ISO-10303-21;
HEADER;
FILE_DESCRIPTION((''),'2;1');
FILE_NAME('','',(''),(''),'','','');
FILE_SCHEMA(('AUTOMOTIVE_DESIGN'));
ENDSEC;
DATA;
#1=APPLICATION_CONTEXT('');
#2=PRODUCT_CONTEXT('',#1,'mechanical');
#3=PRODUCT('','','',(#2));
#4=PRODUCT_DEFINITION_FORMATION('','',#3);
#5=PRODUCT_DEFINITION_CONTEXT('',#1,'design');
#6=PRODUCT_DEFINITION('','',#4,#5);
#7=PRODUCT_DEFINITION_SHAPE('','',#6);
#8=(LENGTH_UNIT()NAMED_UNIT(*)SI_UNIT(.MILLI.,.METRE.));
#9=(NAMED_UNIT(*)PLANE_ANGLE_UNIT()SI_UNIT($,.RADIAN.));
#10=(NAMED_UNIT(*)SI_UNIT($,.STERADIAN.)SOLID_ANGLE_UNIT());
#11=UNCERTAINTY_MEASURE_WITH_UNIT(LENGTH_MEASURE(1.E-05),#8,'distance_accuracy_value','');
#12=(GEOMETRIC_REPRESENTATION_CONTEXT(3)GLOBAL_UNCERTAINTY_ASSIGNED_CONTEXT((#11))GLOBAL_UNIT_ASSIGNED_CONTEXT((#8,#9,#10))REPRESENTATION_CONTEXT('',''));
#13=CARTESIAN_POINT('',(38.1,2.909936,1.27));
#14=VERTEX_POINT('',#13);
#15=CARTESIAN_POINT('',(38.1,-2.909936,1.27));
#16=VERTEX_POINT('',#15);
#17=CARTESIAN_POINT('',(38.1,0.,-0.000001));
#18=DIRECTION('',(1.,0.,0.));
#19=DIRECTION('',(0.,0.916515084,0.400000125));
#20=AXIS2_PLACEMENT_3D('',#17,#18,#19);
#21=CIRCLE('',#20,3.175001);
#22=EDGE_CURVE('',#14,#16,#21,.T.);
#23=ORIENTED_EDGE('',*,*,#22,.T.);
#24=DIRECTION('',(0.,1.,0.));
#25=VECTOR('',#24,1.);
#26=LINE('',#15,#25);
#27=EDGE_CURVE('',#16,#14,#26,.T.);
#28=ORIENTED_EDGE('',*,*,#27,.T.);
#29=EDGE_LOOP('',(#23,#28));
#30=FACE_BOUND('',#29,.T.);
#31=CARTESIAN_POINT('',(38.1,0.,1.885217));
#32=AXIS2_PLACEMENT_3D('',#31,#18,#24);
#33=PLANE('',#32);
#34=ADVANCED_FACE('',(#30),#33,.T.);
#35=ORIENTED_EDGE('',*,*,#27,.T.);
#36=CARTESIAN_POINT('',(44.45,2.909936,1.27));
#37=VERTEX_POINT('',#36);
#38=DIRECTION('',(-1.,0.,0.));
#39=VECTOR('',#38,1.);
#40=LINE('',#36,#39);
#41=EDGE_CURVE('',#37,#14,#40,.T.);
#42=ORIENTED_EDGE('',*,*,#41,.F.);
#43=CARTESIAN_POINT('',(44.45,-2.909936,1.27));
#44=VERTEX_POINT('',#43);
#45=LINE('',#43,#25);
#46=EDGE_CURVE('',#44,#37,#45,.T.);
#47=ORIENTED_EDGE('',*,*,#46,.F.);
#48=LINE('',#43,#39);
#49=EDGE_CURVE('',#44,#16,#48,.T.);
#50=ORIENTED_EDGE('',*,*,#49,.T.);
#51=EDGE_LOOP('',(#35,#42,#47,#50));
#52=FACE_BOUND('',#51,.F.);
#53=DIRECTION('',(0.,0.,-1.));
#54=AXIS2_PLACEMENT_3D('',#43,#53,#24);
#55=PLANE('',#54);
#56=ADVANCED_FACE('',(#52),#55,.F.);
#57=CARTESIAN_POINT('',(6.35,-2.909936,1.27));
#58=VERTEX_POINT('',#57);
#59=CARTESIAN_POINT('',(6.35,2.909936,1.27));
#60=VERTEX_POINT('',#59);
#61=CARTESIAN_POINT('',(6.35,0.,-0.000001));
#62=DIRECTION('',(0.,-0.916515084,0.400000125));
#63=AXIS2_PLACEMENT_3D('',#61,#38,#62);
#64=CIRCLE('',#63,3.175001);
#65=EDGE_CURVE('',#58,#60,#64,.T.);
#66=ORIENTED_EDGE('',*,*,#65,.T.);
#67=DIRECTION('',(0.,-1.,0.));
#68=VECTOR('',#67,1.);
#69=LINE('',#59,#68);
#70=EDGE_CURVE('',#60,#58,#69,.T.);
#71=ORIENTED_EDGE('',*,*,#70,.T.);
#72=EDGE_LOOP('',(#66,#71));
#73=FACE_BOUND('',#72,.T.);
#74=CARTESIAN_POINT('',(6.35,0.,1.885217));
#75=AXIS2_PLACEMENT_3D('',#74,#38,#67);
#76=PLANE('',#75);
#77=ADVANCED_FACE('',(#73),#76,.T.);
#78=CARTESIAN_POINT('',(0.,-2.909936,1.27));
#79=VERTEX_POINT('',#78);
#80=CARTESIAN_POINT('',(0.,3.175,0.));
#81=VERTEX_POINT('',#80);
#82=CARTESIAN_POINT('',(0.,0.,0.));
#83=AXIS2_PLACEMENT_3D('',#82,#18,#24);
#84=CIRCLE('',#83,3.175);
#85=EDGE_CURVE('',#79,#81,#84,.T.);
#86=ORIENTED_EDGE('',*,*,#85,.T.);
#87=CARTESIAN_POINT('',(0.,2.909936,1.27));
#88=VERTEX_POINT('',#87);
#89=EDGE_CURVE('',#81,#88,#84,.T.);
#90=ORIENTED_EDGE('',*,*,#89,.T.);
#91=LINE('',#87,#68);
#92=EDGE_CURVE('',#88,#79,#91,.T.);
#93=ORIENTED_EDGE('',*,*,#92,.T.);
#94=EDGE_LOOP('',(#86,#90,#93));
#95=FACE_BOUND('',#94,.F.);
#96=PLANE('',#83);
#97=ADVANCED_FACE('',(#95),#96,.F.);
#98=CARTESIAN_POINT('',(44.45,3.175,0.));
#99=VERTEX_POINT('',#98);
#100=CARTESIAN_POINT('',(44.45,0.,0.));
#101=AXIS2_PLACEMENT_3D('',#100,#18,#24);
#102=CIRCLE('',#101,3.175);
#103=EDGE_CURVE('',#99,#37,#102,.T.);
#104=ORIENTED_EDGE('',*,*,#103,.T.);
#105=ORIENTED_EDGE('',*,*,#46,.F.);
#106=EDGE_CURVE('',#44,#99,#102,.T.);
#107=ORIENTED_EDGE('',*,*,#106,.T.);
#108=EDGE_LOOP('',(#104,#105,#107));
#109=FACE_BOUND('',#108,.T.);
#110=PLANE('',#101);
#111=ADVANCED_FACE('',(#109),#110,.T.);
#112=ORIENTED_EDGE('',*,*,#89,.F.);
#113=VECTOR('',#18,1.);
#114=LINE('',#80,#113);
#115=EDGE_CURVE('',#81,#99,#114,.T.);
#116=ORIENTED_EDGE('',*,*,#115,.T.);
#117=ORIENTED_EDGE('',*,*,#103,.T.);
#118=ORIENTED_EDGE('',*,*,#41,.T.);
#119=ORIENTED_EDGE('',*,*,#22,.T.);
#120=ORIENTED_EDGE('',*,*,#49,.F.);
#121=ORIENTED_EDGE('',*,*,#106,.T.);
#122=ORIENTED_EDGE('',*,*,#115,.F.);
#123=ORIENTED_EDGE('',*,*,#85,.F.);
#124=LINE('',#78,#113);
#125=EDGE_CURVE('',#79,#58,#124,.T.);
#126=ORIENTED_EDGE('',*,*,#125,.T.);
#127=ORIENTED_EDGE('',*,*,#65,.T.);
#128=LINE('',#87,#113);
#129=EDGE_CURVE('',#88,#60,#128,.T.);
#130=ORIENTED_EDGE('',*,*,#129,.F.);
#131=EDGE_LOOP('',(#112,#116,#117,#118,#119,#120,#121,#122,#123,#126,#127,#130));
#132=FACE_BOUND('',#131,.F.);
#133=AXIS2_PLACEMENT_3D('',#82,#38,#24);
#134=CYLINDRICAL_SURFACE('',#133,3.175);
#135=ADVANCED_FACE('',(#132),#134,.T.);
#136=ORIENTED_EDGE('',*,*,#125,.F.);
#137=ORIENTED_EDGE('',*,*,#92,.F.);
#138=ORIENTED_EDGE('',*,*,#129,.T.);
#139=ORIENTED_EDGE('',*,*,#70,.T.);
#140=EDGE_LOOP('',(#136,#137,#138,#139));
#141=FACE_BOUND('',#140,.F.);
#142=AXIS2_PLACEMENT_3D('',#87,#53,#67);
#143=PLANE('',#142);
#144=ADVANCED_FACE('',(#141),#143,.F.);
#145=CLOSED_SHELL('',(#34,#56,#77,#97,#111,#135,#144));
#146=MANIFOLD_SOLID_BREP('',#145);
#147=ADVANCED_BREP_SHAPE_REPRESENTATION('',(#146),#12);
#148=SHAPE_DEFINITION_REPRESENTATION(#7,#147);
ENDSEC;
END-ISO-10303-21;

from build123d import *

# Parameters (mm, degrees)
F0_R     = 3.175
F1_DEPTH = 44.45
F3_DEPTH = 6.35
F5_DEPTH = 6.35


with BuildPart() as f1:
    # F0 (on Right) → F1 (new body)
    with BuildSketch(Plane.YZ):
        Circle(F0_R)
    extrude(amount=F1_DEPTH)

    # F2 (on face) → F3 (cut)
    with BuildSketch(Plane.YZ.offset(44.45)):
        with BuildLine():
            ThreePointArc((2.909936, 1.27), (0, 3.175), (-2.909936, 1.27))
            Line((-2.909936, 1.27), (2.909936, 1.27))
        make_face()
    extrude(amount=-F3_DEPTH, mode=Mode.SUBTRACT)

    # F4 (on face) → F5 (cut)
    with BuildSketch(Plane(origin=(0, 0, 0), x_dir=(0, -1, 0), z_dir=(-1, 0, 0))):
        with BuildLine():
            Line((-2.909936, 1.27), (2.909936, 1.27))
            ThreePointArc((2.909936, 1.27), (0, 3.175), (-2.909936, 1.27))
        make_face()
    extrude(amount=-F5_DEPTH, mode=Mode.SUBTRACT)


solid = f1.part
